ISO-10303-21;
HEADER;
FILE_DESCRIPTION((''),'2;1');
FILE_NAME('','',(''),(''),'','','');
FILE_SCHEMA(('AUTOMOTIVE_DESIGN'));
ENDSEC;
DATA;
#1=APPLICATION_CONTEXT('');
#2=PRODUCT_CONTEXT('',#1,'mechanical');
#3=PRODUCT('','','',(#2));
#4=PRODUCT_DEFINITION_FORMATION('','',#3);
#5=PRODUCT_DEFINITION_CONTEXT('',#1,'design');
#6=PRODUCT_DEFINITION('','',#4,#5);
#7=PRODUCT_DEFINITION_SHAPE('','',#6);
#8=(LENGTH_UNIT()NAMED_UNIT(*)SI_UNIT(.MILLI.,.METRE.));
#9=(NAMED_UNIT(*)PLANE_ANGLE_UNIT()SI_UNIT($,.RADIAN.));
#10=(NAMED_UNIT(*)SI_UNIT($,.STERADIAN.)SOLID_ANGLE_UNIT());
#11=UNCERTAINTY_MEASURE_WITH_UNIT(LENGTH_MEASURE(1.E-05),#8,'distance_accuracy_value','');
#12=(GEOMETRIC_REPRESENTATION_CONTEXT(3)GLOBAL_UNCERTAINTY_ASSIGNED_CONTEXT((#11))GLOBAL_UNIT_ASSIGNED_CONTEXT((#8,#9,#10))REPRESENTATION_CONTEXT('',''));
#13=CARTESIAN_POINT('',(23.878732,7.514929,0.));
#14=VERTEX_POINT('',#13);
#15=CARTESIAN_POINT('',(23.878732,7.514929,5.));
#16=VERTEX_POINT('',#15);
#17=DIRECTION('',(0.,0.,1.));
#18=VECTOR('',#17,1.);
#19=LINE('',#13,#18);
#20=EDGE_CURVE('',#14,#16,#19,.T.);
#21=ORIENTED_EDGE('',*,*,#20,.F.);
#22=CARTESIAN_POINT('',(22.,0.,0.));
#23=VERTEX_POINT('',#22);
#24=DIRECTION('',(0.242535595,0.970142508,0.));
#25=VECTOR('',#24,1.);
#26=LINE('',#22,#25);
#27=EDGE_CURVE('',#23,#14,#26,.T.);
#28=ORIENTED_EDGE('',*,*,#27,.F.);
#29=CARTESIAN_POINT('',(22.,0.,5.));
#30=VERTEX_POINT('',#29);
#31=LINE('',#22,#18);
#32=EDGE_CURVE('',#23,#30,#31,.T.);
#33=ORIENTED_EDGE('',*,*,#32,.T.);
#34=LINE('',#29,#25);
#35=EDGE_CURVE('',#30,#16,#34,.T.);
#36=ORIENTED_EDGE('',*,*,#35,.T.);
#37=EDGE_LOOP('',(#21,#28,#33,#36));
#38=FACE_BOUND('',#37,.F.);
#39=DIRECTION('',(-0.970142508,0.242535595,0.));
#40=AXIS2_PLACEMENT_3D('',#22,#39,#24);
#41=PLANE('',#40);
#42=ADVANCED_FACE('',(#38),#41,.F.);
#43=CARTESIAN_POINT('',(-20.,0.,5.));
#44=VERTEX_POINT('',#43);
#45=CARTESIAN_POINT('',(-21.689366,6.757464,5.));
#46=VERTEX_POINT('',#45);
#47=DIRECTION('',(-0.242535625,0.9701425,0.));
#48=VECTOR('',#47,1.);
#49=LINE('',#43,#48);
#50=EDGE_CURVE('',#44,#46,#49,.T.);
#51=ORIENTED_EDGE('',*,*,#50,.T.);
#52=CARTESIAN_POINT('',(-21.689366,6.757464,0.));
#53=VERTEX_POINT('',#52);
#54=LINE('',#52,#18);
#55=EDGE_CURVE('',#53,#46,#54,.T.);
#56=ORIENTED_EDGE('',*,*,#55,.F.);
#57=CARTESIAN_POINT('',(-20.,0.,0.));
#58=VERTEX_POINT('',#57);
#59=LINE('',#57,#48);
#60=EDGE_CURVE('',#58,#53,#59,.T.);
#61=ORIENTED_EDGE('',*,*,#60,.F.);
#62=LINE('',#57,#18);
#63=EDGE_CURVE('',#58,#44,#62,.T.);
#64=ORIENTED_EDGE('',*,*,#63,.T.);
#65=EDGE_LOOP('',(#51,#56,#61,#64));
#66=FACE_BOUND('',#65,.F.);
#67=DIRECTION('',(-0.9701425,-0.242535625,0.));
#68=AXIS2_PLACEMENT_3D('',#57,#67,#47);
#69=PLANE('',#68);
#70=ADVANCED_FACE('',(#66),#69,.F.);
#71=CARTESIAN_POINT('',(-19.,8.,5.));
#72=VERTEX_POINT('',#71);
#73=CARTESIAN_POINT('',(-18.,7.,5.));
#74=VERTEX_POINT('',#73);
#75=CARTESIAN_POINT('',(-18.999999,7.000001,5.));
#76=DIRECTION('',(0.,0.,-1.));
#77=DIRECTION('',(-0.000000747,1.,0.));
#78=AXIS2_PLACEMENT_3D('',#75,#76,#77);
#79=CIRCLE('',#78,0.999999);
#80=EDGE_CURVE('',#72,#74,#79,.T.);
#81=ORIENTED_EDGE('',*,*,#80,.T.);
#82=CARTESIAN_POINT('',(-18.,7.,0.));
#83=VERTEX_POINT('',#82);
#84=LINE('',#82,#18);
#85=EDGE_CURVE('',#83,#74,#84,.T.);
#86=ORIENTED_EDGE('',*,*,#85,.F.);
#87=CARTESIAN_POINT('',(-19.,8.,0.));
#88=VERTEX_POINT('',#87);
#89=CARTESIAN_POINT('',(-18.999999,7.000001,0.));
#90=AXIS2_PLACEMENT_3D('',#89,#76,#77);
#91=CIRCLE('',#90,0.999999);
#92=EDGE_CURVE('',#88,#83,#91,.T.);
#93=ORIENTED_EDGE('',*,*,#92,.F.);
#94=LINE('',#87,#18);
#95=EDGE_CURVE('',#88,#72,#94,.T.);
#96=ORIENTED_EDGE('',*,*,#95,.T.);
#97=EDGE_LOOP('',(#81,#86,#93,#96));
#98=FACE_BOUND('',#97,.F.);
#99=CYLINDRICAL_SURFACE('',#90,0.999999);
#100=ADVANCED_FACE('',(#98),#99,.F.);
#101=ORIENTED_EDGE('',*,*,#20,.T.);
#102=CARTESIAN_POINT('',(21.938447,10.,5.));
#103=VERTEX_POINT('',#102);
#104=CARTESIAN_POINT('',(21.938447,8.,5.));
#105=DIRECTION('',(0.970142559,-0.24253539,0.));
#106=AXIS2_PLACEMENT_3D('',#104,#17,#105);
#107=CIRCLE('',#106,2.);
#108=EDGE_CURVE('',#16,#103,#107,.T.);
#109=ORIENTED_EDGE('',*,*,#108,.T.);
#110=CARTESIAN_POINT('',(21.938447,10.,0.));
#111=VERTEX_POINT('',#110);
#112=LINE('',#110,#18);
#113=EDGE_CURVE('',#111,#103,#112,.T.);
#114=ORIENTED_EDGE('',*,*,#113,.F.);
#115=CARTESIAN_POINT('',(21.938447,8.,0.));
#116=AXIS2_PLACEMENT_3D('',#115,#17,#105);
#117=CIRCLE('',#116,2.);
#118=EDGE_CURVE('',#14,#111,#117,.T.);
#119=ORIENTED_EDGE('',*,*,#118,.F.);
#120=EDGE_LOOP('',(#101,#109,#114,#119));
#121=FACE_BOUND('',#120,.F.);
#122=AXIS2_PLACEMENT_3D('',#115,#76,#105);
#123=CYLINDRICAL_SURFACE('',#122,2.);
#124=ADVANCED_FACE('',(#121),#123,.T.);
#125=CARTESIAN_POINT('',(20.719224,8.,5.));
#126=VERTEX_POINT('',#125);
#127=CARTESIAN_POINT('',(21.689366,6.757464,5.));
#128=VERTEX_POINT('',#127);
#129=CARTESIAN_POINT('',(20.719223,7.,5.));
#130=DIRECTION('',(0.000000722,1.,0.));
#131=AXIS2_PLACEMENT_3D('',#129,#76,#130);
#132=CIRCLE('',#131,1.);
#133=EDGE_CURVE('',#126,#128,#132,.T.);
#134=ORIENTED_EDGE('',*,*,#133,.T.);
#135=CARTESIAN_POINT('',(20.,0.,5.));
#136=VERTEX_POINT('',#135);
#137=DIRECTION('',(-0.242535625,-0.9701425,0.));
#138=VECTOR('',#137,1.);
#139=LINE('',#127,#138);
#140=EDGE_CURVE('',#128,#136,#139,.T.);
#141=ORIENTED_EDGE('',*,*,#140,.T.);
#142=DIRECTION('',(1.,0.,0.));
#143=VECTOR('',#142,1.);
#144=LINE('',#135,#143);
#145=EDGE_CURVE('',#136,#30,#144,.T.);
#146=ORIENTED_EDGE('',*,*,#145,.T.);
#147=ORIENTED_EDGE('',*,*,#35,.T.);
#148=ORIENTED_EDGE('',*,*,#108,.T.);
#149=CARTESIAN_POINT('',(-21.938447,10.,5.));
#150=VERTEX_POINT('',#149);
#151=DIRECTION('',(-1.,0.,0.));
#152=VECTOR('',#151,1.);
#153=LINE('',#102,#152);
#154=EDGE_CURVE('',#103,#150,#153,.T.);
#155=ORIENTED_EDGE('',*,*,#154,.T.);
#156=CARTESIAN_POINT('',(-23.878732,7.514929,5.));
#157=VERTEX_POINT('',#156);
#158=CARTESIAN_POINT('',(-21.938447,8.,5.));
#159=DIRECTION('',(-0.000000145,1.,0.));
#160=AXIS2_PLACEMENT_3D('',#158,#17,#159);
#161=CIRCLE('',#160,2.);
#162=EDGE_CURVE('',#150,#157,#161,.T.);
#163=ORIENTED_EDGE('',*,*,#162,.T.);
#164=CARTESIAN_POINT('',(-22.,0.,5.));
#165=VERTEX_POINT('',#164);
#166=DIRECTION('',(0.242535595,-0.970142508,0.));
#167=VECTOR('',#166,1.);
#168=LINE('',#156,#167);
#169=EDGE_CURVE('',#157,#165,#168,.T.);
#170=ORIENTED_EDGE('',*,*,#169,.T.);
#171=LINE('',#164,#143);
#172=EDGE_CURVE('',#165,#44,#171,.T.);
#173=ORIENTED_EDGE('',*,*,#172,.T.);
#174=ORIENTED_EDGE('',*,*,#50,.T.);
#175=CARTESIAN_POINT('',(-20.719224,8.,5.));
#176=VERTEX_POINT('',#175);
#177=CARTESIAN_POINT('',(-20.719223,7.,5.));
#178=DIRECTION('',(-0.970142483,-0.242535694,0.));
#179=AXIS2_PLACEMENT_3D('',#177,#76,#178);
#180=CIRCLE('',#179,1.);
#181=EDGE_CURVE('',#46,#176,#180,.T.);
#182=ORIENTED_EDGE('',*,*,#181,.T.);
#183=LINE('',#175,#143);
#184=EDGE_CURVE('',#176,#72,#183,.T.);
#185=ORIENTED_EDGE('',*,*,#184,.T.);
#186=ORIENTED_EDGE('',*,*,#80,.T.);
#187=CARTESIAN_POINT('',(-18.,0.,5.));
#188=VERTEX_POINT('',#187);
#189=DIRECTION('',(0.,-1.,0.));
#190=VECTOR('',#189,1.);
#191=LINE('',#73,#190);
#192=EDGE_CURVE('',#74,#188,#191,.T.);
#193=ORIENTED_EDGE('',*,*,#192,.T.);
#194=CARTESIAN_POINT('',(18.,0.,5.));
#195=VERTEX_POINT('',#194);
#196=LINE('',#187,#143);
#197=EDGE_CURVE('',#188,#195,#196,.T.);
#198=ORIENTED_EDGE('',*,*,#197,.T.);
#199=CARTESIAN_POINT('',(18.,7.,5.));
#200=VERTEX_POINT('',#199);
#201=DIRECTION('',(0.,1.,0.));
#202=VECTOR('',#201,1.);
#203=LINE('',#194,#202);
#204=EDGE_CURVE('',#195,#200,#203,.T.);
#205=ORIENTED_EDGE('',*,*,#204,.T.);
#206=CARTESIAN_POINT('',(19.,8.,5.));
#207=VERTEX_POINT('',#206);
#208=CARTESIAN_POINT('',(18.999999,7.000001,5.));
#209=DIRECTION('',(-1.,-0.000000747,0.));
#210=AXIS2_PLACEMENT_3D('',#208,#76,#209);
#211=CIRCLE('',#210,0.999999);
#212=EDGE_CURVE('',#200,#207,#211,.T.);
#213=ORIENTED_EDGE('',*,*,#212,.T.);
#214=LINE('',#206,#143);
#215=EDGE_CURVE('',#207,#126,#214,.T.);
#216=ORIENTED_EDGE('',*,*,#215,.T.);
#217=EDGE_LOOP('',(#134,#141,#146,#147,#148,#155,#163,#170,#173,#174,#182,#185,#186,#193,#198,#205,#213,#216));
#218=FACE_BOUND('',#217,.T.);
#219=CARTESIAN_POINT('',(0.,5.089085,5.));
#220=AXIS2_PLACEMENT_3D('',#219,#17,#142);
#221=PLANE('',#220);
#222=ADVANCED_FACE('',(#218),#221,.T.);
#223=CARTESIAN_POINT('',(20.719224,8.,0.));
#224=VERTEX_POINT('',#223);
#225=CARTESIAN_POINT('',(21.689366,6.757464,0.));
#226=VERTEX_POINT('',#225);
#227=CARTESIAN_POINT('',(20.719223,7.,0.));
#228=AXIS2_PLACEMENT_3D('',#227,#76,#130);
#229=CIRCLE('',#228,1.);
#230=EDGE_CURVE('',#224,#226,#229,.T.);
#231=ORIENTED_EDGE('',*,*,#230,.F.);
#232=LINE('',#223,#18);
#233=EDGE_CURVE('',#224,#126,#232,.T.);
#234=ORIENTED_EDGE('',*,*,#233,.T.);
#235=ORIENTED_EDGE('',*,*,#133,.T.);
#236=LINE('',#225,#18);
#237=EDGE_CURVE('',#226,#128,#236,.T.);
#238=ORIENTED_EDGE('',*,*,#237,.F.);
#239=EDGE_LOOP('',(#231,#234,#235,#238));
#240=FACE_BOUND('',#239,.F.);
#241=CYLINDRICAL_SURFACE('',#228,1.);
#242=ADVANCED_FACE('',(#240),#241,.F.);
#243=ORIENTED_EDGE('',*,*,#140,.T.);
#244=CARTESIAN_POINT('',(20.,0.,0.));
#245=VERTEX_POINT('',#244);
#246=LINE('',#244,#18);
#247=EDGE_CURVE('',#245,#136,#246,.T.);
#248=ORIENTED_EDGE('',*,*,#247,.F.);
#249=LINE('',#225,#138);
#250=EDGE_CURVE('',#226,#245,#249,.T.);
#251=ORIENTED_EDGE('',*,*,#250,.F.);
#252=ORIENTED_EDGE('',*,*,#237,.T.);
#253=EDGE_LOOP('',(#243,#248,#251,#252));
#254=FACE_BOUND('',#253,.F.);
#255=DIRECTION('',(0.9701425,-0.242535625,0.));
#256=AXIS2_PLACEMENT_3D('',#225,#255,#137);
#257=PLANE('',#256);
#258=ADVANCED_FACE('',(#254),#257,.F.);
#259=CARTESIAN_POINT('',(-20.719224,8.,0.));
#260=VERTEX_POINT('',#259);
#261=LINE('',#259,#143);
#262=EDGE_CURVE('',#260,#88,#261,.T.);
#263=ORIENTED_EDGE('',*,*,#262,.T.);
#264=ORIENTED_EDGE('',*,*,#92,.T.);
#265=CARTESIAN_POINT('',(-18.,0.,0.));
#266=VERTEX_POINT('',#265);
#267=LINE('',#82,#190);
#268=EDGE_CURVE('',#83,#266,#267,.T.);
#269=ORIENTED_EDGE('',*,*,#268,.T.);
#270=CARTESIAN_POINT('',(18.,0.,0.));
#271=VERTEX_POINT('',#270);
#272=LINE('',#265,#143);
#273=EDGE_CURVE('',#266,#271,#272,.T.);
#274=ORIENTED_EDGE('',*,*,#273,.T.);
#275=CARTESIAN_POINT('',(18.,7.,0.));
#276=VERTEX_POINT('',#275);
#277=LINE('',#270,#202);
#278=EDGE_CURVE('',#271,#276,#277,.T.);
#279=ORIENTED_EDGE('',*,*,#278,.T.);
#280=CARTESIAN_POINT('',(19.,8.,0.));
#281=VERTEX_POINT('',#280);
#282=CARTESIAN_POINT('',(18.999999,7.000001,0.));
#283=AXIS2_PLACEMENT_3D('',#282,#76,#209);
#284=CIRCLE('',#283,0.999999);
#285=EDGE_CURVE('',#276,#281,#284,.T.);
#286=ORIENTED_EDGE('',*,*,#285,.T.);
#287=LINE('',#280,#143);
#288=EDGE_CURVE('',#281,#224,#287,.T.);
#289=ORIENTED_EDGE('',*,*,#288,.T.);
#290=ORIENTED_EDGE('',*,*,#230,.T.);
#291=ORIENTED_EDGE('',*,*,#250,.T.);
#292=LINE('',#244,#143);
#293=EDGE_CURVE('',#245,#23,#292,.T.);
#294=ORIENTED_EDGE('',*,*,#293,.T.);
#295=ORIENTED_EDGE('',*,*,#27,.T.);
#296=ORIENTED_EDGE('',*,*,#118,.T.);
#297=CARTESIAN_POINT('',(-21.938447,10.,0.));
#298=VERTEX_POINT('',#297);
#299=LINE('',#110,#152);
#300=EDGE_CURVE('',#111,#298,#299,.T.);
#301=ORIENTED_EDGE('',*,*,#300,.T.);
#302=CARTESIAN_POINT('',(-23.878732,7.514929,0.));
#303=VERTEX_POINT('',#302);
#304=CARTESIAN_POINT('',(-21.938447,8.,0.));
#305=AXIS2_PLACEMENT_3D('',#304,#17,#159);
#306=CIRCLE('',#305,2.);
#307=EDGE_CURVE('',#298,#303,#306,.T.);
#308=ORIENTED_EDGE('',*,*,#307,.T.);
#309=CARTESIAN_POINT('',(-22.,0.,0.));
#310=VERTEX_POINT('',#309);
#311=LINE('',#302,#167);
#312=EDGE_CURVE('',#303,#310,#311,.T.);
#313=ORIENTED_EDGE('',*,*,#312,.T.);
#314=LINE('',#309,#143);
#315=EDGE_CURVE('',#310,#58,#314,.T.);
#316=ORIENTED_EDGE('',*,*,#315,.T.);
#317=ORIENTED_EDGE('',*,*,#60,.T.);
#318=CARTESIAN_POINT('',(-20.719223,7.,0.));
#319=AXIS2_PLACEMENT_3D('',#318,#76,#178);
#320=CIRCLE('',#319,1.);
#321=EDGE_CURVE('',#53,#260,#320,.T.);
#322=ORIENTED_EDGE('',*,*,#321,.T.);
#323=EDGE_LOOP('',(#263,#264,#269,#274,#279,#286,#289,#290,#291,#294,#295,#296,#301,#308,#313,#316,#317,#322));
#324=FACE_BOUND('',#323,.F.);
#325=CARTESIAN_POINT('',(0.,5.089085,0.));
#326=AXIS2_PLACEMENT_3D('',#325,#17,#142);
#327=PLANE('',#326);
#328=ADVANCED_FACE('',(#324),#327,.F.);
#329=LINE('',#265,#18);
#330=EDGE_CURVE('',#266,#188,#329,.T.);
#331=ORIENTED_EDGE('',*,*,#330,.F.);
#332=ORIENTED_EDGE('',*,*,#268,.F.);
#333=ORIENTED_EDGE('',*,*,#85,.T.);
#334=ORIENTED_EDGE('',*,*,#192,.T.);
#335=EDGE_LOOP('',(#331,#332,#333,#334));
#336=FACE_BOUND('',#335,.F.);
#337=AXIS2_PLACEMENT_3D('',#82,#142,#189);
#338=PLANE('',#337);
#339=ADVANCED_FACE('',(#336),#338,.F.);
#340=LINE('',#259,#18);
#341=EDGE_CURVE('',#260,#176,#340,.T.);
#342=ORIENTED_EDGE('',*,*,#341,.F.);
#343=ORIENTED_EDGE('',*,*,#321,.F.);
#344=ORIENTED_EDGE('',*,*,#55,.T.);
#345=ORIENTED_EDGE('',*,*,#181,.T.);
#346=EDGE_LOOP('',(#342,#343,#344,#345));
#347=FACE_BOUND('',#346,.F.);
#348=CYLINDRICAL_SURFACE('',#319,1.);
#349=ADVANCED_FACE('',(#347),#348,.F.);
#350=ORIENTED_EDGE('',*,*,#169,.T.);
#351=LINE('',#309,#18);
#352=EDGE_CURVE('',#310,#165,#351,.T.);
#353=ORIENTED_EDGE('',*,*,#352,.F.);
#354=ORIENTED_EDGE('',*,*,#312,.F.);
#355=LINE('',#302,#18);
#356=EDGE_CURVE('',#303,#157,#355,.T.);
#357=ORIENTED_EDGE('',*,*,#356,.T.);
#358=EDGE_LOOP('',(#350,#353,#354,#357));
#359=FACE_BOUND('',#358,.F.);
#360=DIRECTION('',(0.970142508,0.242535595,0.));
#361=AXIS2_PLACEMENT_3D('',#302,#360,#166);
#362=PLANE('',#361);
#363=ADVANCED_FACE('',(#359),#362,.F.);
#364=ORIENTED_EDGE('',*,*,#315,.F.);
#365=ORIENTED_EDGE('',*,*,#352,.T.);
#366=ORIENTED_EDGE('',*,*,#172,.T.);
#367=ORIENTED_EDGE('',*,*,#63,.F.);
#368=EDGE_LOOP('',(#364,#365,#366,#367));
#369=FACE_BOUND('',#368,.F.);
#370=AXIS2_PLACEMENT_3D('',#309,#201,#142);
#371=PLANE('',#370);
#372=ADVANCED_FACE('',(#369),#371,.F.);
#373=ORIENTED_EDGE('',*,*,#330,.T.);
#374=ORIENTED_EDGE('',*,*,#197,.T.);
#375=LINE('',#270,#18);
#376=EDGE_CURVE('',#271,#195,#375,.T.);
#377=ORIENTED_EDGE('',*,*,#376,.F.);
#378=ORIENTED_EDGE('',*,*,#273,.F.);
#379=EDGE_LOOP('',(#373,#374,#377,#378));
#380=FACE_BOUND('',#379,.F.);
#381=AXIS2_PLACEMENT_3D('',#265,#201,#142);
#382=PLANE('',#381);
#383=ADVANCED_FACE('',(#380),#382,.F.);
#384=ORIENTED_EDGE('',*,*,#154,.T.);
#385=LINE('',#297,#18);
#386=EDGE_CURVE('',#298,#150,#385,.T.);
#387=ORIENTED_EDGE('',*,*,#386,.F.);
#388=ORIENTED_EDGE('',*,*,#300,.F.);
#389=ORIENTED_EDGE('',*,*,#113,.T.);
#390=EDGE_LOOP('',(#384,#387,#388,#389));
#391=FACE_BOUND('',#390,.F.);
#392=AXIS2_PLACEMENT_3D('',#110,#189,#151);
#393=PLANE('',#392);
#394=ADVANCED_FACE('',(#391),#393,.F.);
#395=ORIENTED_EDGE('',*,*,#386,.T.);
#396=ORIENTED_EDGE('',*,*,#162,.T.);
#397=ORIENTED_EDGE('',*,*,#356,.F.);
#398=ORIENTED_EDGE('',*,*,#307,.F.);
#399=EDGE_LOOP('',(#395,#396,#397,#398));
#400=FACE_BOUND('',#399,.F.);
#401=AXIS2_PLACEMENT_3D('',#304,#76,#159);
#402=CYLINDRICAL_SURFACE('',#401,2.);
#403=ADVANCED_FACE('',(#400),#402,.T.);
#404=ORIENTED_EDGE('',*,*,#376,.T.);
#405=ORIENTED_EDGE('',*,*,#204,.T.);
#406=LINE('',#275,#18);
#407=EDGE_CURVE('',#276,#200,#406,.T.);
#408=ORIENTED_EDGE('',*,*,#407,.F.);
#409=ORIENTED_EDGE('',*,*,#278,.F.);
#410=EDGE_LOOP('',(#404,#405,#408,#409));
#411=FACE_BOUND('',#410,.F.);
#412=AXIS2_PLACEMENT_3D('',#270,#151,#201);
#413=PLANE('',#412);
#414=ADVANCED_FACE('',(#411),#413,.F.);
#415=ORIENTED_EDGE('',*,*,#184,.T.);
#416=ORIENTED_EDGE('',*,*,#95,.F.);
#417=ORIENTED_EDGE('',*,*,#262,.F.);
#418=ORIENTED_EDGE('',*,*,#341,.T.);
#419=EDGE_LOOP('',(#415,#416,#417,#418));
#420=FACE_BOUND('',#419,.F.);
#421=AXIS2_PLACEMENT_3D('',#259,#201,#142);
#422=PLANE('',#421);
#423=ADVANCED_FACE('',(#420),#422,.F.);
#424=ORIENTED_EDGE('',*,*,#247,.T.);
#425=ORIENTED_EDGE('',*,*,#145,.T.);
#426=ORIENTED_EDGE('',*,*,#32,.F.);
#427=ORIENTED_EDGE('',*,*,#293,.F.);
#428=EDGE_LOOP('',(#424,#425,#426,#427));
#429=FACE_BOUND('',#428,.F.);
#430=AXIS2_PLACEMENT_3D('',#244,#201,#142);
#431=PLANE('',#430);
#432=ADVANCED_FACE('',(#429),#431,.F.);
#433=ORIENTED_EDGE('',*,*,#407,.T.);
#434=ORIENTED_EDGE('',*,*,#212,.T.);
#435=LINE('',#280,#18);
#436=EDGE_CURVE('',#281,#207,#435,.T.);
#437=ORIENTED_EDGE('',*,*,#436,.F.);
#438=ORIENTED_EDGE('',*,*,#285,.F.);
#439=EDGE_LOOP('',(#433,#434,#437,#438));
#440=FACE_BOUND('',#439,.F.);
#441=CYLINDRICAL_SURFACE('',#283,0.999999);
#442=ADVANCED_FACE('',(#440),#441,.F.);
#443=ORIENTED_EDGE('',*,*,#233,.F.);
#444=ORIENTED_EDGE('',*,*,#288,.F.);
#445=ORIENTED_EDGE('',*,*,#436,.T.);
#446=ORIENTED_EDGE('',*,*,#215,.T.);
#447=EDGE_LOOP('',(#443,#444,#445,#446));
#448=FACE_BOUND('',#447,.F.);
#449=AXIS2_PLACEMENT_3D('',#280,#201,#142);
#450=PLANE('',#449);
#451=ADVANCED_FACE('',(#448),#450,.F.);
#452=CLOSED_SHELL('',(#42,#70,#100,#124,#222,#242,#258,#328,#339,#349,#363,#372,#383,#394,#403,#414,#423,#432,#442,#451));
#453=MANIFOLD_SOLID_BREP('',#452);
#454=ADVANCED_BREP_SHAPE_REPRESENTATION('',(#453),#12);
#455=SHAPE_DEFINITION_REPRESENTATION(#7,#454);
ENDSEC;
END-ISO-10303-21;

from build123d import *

# Parameters (mm, degrees)
F1_DEPTH = 5


with BuildPart() as f1:
    # F0 (on Top) → F1 (new body)
    with BuildSketch(Plane.XY):
        with BuildLine():
            Line((-18, 0), (0, 0))
            Line((0, 0), (18, 0))
            Line((18, 0), (18, 7))
            ThreePointArc((18, 7), (18.292893, 7.707107), (19, 8))
            Line((19, 8), (20.719224, 8))
            ThreePointArc((20.719224, 8), (21.507429, 7.615412), (21.689366, 6.757464))
            Line((21.689366, 6.757464), (20, 0))
            Line((20, 0), (22, 0))
            Line((22, 0), (23.878732, 7.514929))
            ThreePointArc((23.878732, 7.514929), (23.514858, 9.230824), (21.938447, 10))
            Line((21.938447, 10), (-21.938447, 10))
            ThreePointArc((-21.938447, 10), (-23.514858, 9.230824), (-23.878732, 7.514929))
            Line((-23.878732, 7.514929), (-22, 0))
            Line((-22, 0), (-20, 0))
            Line((-20, 0), (-21.689366, 6.757464))
            ThreePointArc((-21.689366, 6.757464), (-21.507429, 7.615412), (-20.719224, 8))
            Line((-20.719224, 8), (-19, 8))
            ThreePointArc((-19, 8), (-18.292893, 7.707107), (-18, 7))
            Line((-18, 7), (-18, 0))
        make_face()
    extrude(amount=F1_DEPTH)


solid = f1.part
